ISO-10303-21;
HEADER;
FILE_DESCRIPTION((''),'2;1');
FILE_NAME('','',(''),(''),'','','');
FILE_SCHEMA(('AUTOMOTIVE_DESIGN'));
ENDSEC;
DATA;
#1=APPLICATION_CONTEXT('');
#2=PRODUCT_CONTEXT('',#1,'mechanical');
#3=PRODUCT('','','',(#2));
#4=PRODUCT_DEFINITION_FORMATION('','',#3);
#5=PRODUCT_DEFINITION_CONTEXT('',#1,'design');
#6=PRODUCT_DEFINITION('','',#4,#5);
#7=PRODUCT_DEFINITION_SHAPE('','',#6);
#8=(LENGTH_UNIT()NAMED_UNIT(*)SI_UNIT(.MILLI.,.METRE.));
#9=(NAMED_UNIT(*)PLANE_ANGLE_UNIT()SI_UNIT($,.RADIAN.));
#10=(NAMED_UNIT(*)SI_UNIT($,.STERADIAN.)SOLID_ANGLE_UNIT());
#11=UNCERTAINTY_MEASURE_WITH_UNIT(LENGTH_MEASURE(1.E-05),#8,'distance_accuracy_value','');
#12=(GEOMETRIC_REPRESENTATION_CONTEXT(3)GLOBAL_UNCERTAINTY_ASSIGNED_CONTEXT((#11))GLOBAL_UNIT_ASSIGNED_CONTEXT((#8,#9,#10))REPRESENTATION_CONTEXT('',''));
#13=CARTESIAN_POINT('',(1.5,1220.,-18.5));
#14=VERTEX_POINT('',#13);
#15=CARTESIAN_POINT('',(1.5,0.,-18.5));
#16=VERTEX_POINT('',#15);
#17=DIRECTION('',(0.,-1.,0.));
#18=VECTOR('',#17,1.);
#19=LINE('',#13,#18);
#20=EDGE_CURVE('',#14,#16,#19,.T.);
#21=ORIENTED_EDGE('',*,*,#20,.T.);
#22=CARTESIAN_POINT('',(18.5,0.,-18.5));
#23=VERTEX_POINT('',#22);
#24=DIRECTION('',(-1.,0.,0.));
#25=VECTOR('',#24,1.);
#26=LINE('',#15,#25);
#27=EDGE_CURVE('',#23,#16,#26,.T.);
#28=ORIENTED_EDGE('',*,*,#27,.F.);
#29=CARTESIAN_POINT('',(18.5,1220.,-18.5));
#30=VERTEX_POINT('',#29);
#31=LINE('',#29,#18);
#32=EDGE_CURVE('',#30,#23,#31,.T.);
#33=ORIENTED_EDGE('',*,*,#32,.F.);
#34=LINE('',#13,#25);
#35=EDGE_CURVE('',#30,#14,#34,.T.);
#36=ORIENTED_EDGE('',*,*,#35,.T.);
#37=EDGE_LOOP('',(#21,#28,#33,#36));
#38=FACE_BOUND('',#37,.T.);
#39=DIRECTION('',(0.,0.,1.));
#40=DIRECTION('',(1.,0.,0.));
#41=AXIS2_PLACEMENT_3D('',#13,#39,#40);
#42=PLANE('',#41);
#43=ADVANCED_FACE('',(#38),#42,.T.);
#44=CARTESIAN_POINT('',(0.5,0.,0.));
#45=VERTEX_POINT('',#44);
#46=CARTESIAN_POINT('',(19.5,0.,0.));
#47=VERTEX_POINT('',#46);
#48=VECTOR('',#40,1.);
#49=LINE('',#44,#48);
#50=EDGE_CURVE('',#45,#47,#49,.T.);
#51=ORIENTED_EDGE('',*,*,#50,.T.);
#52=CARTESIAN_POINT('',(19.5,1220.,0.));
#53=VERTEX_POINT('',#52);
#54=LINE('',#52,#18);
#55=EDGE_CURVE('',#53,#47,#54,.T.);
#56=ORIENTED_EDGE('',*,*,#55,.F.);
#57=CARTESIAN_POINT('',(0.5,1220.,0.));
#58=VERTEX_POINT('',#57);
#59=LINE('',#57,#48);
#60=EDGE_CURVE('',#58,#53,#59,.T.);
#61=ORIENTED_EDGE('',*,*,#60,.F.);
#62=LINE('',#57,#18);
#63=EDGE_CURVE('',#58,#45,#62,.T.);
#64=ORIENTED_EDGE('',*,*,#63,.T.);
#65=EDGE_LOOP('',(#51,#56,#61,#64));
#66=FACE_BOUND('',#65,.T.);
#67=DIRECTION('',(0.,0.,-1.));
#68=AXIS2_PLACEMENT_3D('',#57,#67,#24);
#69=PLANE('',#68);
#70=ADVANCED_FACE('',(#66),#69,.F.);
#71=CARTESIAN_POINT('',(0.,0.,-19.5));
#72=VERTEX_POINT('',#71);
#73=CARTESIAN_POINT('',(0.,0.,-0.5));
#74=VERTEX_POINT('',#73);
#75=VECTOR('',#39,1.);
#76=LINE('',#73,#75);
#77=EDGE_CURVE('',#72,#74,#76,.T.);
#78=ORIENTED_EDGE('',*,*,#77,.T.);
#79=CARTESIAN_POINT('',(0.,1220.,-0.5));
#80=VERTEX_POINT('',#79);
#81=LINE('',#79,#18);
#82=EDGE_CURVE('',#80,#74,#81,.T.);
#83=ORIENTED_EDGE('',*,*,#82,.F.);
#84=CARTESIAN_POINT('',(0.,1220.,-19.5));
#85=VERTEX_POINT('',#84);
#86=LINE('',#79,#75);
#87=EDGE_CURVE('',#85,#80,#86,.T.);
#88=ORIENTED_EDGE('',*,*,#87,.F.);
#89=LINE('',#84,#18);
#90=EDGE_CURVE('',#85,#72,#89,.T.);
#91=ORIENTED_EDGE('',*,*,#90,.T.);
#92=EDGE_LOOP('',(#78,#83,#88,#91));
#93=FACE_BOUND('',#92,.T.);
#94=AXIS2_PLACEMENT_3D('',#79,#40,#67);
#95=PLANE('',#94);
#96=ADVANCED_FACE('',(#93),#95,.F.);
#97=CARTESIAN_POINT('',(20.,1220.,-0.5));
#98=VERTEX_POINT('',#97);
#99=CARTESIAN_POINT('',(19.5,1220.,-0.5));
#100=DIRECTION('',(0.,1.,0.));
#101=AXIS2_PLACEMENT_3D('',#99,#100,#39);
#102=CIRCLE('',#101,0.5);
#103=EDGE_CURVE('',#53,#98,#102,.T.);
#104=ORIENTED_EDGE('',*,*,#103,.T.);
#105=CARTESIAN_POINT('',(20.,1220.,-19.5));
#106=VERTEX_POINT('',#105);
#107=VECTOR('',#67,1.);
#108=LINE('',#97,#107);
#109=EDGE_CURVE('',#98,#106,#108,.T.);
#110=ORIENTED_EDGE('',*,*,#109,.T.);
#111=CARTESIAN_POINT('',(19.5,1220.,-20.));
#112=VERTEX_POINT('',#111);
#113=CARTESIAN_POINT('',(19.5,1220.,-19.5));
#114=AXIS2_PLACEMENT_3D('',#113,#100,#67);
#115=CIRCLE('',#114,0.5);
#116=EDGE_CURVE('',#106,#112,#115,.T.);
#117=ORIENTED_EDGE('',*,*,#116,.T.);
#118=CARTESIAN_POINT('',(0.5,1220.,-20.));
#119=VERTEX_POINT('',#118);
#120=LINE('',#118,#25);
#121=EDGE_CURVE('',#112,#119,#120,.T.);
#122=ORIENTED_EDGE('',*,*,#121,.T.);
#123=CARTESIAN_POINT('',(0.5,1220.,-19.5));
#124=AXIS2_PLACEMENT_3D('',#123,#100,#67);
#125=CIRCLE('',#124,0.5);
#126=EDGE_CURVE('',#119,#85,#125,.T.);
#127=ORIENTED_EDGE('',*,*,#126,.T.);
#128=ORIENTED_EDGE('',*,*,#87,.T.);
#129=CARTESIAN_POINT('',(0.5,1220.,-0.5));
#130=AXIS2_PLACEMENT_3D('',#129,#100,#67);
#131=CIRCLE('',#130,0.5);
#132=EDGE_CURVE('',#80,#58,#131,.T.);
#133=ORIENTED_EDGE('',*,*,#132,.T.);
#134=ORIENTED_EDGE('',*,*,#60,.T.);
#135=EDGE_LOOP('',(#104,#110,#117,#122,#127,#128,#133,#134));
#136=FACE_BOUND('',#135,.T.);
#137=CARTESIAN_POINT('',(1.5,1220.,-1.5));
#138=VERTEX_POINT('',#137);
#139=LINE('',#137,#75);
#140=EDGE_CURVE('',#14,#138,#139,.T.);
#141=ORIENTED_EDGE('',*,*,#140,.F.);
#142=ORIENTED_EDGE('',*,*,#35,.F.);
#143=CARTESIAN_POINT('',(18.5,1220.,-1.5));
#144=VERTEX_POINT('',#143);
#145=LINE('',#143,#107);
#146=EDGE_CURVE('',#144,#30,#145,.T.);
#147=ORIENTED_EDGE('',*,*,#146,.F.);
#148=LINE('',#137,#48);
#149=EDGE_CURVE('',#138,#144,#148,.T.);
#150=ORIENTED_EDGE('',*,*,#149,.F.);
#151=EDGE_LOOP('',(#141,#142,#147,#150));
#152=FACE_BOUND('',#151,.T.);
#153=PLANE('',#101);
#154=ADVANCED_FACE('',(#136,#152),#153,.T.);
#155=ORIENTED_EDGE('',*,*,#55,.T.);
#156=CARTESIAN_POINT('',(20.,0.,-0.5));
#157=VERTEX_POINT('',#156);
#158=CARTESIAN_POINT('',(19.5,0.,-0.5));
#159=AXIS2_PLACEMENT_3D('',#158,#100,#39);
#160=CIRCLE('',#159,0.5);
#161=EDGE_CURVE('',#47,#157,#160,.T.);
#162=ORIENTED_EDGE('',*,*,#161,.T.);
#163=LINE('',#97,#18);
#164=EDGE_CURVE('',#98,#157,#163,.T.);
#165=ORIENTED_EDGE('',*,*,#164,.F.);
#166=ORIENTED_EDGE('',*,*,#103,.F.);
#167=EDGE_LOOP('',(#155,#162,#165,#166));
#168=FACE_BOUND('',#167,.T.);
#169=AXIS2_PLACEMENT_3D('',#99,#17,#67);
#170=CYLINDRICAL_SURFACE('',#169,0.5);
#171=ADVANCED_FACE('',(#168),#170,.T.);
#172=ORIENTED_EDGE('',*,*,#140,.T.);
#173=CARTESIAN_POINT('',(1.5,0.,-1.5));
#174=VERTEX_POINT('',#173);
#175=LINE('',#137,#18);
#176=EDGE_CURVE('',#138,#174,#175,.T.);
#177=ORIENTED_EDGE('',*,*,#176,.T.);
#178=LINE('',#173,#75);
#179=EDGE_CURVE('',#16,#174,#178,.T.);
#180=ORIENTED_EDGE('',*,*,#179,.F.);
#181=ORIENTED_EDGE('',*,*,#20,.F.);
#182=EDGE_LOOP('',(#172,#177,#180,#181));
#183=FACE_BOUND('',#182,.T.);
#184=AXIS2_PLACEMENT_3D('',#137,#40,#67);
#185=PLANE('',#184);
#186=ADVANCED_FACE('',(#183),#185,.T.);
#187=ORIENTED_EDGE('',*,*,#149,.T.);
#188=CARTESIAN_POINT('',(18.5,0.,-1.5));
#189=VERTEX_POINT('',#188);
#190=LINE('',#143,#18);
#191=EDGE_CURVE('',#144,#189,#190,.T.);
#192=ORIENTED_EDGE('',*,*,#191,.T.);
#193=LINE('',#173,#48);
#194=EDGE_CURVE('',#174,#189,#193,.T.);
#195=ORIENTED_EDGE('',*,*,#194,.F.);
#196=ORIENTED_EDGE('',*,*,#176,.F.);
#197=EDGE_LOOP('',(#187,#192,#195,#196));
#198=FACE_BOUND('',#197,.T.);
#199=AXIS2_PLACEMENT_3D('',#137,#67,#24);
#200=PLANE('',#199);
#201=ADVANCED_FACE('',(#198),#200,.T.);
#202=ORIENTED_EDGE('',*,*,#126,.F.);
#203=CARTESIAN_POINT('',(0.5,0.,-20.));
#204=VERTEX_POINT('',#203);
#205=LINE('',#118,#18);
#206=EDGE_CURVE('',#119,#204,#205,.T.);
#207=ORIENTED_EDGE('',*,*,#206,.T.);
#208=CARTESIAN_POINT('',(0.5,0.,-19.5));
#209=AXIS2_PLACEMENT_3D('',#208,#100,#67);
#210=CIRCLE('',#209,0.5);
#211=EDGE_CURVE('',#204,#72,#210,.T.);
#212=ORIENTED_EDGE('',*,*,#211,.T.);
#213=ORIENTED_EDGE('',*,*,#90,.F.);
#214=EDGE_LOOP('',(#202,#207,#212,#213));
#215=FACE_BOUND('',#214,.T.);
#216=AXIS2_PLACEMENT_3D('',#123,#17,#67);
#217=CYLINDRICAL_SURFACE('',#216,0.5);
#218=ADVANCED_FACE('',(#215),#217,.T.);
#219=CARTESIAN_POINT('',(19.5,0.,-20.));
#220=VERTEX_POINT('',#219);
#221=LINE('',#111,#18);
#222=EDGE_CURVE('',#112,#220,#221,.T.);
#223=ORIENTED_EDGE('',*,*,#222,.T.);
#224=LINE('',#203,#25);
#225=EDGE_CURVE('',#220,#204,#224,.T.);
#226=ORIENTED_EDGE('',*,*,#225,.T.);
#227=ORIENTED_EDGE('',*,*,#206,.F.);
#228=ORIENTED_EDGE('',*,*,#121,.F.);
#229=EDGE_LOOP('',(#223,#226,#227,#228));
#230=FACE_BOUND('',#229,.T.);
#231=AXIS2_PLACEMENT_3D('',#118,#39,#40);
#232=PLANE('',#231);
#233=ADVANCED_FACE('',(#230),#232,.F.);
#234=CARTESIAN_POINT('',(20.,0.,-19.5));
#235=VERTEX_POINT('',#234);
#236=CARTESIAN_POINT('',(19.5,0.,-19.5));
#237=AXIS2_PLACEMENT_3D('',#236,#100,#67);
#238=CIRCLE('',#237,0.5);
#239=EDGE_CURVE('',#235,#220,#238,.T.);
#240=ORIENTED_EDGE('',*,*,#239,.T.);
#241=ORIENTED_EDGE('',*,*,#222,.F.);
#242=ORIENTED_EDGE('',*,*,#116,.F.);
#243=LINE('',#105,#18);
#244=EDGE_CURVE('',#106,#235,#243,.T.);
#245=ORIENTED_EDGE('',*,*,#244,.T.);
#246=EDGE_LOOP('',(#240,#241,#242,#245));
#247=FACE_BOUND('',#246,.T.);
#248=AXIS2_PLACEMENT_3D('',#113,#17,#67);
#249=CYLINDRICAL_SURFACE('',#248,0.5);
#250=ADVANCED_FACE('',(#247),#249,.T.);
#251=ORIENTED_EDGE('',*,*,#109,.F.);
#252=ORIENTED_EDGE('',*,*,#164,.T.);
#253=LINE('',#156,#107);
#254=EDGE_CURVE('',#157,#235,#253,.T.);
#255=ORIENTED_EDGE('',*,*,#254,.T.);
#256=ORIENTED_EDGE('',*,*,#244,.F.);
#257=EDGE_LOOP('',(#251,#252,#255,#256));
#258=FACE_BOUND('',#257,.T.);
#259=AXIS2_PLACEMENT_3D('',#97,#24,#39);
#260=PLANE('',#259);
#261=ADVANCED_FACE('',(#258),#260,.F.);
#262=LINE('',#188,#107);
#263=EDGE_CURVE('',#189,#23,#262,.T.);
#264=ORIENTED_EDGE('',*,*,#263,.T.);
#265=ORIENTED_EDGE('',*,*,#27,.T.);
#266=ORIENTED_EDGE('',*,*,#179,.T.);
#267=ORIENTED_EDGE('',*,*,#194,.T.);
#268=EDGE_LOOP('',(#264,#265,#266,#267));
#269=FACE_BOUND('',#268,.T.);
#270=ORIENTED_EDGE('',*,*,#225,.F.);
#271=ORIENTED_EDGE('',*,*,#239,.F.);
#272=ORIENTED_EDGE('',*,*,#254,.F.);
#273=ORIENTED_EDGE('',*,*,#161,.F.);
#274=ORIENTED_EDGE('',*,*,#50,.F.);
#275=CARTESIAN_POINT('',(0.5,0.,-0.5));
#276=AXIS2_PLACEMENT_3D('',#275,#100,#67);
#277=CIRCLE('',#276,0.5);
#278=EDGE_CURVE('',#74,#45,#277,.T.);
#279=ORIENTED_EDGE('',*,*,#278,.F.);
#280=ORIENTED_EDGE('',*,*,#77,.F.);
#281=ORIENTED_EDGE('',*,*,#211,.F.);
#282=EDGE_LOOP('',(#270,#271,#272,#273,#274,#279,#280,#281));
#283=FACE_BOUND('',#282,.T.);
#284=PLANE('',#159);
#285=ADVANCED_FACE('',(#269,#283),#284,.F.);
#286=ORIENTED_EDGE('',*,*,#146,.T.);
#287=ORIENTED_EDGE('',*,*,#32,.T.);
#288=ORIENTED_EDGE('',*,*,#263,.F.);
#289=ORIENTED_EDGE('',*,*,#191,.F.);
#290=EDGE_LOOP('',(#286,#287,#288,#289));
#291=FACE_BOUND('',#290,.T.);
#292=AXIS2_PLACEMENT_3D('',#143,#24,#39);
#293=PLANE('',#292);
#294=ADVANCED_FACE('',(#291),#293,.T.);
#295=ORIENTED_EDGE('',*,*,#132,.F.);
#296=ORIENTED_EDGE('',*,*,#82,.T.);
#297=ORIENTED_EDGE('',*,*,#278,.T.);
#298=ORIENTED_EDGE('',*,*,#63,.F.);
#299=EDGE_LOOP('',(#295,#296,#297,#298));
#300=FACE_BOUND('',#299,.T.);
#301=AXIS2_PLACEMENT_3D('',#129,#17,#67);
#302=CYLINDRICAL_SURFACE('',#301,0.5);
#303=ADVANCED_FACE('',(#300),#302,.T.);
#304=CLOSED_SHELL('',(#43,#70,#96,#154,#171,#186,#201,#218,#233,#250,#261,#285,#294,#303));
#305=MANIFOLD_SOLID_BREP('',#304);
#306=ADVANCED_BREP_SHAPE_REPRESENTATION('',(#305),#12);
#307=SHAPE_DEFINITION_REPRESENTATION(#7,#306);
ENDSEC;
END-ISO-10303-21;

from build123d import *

# Parameters (mm, degrees)
SKETCH1_W           = 17
SKETCH1_H           = 17
BOSS_EXTRUDE1_DEPTH = 1220


with BuildPart() as part:
    # Sketch1 → Boss-Extrude1 (new body)
    with BuildSketch(Plane(origin=(0, 0, 0), x_dir=(1, 0, 0), z_dir=(0, 1, 0))):
        with BuildLine():
            Line((0.5, 0), (19.5, 0))
            ThreePointArc((19.5, 0), (19.853553391, 0.146446609), (20, 0.5))
            Line((20, 0.5), (20, 19.5))
            ThreePointArc((20, 19.5), (19.853553391, 19.853553391), (19.5, 20))
            Line((19.5, 20), (0.5, 20))
            ThreePointArc((0.5, 20), (0.146446609, 19.853553391), (0, 19.5))
            Line((0, 19.5), (0, 0.5))
            ThreePointArc((0, 0.5), (0.146446609, 0.146446609), (0.5, 0))
        make_face()
        with Locations((10, 10)):
            Rectangle(SKETCH1_W, SKETCH1_H, mode=Mode.SUBTRACT)
    extrude(amount=BOSS_EXTRUDE1_DEPTH)


solid = part.part
